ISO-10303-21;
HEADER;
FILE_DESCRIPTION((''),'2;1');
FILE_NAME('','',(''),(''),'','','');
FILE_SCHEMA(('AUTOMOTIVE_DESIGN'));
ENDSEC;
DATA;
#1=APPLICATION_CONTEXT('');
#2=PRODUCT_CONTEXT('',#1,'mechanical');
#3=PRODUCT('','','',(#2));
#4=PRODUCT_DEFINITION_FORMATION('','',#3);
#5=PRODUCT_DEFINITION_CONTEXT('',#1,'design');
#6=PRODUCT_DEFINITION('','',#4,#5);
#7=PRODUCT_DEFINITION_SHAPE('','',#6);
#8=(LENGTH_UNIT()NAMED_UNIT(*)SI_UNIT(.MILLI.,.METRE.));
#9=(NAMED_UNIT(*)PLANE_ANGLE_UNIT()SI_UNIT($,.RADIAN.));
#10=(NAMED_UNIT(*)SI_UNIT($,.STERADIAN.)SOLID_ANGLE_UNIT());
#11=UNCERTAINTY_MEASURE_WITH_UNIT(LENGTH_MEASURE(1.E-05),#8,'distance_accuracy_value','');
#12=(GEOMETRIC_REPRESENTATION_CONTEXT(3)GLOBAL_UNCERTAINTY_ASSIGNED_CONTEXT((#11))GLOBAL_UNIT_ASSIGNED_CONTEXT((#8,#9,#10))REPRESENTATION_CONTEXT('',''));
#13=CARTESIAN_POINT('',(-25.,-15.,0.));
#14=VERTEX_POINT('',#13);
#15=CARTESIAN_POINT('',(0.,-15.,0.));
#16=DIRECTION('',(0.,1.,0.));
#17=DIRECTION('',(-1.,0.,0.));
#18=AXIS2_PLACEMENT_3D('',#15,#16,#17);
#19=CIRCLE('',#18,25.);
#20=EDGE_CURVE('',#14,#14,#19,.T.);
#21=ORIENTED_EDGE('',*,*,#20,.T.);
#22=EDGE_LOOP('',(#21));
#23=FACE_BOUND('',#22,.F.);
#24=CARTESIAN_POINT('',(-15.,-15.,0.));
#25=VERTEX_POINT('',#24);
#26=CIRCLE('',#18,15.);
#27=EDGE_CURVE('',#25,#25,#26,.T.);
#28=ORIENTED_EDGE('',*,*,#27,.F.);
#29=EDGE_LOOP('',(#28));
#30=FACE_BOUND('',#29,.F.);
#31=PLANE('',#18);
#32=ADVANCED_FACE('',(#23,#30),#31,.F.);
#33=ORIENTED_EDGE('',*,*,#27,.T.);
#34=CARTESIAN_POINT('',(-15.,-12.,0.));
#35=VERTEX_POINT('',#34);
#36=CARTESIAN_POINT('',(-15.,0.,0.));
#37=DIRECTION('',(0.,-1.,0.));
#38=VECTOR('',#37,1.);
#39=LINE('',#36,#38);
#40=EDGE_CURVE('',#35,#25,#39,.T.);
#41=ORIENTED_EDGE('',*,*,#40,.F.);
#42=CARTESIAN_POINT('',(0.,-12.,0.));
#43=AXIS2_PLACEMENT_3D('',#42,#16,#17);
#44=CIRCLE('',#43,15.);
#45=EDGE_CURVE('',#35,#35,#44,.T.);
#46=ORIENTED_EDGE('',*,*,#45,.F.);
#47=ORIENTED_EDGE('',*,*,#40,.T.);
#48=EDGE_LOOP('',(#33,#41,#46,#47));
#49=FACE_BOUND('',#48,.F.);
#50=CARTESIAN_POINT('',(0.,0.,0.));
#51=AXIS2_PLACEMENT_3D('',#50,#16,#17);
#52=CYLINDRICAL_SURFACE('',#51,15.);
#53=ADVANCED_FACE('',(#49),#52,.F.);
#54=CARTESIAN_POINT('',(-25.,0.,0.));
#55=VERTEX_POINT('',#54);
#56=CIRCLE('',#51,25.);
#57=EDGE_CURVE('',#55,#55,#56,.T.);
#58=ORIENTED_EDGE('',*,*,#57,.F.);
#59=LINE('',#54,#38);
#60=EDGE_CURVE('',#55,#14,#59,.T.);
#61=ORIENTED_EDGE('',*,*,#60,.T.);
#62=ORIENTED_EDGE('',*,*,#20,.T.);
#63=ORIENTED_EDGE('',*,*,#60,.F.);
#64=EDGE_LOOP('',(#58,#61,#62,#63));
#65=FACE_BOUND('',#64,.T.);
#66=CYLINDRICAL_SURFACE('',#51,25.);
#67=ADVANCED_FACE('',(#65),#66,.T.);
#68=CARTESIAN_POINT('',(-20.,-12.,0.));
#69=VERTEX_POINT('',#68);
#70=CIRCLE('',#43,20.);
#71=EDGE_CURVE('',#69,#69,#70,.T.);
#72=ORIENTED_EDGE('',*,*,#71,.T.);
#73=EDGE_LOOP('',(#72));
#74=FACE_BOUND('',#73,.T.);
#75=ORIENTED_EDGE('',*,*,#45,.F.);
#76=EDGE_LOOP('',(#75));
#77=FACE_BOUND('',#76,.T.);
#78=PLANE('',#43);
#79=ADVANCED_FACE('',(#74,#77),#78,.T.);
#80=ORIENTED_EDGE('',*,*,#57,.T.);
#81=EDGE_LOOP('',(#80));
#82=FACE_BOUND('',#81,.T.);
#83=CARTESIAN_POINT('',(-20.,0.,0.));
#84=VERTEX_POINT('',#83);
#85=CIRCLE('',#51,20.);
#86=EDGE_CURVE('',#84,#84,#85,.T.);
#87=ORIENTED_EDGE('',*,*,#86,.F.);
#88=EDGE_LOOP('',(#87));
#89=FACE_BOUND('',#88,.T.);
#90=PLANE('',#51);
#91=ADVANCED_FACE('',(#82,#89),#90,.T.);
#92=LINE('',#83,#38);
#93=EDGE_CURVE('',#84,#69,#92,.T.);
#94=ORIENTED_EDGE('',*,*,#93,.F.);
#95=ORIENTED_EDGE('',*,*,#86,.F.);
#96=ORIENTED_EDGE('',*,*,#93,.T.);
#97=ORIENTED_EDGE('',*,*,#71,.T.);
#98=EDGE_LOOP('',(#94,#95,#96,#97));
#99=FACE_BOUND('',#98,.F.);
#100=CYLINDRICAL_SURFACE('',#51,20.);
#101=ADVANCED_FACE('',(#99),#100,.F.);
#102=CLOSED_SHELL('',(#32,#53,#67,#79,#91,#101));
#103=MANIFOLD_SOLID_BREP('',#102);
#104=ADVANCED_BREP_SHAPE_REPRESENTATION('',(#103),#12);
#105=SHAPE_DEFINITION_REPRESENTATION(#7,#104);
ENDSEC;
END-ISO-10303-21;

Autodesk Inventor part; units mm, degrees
ref_plane "YZ Plane" through (0, 0, 0) normal (1, 0, 0) x (0, 1, 0)
ref_plane "XZ Plane" through (0, 0, 0) normal (0, 1, 0) x (-1, 0, 0)
ref_plane "XY Plane" through (0, 0, 0) normal (0, 0, 1) x (1, 0, 0)
sketch "Sketch1" plane through (0, 0, 0) normal (0, 1, 0) x (-1, 0, 0)
  circle A0 centre (0, 0) radius 25
  dimension "d0" = 50
extrude "Extrusion1" add sketch "Sketch1" against normal blind 15
sketch "Sketch3" plane through (0, 0, 0) normal (0, 1, 0) x (-1, 0, 0)
  circle A0 centre (0, 0) radius 15
  dimension "d3" = 30
extrude "Extrusion2" cut sketch "Sketch3" against normal through all
sketch "Sketch4" plane through (0, 0, 0) normal (0, 1, 0) x (-1, 0, 0)
  circle A0 centre (0, 0) radius 20
  dimension "d6" = 40
extrude "Extrusion3" cut sketch "Sketch4" against normal blind 12
properties part number "Седло для подшипника"
